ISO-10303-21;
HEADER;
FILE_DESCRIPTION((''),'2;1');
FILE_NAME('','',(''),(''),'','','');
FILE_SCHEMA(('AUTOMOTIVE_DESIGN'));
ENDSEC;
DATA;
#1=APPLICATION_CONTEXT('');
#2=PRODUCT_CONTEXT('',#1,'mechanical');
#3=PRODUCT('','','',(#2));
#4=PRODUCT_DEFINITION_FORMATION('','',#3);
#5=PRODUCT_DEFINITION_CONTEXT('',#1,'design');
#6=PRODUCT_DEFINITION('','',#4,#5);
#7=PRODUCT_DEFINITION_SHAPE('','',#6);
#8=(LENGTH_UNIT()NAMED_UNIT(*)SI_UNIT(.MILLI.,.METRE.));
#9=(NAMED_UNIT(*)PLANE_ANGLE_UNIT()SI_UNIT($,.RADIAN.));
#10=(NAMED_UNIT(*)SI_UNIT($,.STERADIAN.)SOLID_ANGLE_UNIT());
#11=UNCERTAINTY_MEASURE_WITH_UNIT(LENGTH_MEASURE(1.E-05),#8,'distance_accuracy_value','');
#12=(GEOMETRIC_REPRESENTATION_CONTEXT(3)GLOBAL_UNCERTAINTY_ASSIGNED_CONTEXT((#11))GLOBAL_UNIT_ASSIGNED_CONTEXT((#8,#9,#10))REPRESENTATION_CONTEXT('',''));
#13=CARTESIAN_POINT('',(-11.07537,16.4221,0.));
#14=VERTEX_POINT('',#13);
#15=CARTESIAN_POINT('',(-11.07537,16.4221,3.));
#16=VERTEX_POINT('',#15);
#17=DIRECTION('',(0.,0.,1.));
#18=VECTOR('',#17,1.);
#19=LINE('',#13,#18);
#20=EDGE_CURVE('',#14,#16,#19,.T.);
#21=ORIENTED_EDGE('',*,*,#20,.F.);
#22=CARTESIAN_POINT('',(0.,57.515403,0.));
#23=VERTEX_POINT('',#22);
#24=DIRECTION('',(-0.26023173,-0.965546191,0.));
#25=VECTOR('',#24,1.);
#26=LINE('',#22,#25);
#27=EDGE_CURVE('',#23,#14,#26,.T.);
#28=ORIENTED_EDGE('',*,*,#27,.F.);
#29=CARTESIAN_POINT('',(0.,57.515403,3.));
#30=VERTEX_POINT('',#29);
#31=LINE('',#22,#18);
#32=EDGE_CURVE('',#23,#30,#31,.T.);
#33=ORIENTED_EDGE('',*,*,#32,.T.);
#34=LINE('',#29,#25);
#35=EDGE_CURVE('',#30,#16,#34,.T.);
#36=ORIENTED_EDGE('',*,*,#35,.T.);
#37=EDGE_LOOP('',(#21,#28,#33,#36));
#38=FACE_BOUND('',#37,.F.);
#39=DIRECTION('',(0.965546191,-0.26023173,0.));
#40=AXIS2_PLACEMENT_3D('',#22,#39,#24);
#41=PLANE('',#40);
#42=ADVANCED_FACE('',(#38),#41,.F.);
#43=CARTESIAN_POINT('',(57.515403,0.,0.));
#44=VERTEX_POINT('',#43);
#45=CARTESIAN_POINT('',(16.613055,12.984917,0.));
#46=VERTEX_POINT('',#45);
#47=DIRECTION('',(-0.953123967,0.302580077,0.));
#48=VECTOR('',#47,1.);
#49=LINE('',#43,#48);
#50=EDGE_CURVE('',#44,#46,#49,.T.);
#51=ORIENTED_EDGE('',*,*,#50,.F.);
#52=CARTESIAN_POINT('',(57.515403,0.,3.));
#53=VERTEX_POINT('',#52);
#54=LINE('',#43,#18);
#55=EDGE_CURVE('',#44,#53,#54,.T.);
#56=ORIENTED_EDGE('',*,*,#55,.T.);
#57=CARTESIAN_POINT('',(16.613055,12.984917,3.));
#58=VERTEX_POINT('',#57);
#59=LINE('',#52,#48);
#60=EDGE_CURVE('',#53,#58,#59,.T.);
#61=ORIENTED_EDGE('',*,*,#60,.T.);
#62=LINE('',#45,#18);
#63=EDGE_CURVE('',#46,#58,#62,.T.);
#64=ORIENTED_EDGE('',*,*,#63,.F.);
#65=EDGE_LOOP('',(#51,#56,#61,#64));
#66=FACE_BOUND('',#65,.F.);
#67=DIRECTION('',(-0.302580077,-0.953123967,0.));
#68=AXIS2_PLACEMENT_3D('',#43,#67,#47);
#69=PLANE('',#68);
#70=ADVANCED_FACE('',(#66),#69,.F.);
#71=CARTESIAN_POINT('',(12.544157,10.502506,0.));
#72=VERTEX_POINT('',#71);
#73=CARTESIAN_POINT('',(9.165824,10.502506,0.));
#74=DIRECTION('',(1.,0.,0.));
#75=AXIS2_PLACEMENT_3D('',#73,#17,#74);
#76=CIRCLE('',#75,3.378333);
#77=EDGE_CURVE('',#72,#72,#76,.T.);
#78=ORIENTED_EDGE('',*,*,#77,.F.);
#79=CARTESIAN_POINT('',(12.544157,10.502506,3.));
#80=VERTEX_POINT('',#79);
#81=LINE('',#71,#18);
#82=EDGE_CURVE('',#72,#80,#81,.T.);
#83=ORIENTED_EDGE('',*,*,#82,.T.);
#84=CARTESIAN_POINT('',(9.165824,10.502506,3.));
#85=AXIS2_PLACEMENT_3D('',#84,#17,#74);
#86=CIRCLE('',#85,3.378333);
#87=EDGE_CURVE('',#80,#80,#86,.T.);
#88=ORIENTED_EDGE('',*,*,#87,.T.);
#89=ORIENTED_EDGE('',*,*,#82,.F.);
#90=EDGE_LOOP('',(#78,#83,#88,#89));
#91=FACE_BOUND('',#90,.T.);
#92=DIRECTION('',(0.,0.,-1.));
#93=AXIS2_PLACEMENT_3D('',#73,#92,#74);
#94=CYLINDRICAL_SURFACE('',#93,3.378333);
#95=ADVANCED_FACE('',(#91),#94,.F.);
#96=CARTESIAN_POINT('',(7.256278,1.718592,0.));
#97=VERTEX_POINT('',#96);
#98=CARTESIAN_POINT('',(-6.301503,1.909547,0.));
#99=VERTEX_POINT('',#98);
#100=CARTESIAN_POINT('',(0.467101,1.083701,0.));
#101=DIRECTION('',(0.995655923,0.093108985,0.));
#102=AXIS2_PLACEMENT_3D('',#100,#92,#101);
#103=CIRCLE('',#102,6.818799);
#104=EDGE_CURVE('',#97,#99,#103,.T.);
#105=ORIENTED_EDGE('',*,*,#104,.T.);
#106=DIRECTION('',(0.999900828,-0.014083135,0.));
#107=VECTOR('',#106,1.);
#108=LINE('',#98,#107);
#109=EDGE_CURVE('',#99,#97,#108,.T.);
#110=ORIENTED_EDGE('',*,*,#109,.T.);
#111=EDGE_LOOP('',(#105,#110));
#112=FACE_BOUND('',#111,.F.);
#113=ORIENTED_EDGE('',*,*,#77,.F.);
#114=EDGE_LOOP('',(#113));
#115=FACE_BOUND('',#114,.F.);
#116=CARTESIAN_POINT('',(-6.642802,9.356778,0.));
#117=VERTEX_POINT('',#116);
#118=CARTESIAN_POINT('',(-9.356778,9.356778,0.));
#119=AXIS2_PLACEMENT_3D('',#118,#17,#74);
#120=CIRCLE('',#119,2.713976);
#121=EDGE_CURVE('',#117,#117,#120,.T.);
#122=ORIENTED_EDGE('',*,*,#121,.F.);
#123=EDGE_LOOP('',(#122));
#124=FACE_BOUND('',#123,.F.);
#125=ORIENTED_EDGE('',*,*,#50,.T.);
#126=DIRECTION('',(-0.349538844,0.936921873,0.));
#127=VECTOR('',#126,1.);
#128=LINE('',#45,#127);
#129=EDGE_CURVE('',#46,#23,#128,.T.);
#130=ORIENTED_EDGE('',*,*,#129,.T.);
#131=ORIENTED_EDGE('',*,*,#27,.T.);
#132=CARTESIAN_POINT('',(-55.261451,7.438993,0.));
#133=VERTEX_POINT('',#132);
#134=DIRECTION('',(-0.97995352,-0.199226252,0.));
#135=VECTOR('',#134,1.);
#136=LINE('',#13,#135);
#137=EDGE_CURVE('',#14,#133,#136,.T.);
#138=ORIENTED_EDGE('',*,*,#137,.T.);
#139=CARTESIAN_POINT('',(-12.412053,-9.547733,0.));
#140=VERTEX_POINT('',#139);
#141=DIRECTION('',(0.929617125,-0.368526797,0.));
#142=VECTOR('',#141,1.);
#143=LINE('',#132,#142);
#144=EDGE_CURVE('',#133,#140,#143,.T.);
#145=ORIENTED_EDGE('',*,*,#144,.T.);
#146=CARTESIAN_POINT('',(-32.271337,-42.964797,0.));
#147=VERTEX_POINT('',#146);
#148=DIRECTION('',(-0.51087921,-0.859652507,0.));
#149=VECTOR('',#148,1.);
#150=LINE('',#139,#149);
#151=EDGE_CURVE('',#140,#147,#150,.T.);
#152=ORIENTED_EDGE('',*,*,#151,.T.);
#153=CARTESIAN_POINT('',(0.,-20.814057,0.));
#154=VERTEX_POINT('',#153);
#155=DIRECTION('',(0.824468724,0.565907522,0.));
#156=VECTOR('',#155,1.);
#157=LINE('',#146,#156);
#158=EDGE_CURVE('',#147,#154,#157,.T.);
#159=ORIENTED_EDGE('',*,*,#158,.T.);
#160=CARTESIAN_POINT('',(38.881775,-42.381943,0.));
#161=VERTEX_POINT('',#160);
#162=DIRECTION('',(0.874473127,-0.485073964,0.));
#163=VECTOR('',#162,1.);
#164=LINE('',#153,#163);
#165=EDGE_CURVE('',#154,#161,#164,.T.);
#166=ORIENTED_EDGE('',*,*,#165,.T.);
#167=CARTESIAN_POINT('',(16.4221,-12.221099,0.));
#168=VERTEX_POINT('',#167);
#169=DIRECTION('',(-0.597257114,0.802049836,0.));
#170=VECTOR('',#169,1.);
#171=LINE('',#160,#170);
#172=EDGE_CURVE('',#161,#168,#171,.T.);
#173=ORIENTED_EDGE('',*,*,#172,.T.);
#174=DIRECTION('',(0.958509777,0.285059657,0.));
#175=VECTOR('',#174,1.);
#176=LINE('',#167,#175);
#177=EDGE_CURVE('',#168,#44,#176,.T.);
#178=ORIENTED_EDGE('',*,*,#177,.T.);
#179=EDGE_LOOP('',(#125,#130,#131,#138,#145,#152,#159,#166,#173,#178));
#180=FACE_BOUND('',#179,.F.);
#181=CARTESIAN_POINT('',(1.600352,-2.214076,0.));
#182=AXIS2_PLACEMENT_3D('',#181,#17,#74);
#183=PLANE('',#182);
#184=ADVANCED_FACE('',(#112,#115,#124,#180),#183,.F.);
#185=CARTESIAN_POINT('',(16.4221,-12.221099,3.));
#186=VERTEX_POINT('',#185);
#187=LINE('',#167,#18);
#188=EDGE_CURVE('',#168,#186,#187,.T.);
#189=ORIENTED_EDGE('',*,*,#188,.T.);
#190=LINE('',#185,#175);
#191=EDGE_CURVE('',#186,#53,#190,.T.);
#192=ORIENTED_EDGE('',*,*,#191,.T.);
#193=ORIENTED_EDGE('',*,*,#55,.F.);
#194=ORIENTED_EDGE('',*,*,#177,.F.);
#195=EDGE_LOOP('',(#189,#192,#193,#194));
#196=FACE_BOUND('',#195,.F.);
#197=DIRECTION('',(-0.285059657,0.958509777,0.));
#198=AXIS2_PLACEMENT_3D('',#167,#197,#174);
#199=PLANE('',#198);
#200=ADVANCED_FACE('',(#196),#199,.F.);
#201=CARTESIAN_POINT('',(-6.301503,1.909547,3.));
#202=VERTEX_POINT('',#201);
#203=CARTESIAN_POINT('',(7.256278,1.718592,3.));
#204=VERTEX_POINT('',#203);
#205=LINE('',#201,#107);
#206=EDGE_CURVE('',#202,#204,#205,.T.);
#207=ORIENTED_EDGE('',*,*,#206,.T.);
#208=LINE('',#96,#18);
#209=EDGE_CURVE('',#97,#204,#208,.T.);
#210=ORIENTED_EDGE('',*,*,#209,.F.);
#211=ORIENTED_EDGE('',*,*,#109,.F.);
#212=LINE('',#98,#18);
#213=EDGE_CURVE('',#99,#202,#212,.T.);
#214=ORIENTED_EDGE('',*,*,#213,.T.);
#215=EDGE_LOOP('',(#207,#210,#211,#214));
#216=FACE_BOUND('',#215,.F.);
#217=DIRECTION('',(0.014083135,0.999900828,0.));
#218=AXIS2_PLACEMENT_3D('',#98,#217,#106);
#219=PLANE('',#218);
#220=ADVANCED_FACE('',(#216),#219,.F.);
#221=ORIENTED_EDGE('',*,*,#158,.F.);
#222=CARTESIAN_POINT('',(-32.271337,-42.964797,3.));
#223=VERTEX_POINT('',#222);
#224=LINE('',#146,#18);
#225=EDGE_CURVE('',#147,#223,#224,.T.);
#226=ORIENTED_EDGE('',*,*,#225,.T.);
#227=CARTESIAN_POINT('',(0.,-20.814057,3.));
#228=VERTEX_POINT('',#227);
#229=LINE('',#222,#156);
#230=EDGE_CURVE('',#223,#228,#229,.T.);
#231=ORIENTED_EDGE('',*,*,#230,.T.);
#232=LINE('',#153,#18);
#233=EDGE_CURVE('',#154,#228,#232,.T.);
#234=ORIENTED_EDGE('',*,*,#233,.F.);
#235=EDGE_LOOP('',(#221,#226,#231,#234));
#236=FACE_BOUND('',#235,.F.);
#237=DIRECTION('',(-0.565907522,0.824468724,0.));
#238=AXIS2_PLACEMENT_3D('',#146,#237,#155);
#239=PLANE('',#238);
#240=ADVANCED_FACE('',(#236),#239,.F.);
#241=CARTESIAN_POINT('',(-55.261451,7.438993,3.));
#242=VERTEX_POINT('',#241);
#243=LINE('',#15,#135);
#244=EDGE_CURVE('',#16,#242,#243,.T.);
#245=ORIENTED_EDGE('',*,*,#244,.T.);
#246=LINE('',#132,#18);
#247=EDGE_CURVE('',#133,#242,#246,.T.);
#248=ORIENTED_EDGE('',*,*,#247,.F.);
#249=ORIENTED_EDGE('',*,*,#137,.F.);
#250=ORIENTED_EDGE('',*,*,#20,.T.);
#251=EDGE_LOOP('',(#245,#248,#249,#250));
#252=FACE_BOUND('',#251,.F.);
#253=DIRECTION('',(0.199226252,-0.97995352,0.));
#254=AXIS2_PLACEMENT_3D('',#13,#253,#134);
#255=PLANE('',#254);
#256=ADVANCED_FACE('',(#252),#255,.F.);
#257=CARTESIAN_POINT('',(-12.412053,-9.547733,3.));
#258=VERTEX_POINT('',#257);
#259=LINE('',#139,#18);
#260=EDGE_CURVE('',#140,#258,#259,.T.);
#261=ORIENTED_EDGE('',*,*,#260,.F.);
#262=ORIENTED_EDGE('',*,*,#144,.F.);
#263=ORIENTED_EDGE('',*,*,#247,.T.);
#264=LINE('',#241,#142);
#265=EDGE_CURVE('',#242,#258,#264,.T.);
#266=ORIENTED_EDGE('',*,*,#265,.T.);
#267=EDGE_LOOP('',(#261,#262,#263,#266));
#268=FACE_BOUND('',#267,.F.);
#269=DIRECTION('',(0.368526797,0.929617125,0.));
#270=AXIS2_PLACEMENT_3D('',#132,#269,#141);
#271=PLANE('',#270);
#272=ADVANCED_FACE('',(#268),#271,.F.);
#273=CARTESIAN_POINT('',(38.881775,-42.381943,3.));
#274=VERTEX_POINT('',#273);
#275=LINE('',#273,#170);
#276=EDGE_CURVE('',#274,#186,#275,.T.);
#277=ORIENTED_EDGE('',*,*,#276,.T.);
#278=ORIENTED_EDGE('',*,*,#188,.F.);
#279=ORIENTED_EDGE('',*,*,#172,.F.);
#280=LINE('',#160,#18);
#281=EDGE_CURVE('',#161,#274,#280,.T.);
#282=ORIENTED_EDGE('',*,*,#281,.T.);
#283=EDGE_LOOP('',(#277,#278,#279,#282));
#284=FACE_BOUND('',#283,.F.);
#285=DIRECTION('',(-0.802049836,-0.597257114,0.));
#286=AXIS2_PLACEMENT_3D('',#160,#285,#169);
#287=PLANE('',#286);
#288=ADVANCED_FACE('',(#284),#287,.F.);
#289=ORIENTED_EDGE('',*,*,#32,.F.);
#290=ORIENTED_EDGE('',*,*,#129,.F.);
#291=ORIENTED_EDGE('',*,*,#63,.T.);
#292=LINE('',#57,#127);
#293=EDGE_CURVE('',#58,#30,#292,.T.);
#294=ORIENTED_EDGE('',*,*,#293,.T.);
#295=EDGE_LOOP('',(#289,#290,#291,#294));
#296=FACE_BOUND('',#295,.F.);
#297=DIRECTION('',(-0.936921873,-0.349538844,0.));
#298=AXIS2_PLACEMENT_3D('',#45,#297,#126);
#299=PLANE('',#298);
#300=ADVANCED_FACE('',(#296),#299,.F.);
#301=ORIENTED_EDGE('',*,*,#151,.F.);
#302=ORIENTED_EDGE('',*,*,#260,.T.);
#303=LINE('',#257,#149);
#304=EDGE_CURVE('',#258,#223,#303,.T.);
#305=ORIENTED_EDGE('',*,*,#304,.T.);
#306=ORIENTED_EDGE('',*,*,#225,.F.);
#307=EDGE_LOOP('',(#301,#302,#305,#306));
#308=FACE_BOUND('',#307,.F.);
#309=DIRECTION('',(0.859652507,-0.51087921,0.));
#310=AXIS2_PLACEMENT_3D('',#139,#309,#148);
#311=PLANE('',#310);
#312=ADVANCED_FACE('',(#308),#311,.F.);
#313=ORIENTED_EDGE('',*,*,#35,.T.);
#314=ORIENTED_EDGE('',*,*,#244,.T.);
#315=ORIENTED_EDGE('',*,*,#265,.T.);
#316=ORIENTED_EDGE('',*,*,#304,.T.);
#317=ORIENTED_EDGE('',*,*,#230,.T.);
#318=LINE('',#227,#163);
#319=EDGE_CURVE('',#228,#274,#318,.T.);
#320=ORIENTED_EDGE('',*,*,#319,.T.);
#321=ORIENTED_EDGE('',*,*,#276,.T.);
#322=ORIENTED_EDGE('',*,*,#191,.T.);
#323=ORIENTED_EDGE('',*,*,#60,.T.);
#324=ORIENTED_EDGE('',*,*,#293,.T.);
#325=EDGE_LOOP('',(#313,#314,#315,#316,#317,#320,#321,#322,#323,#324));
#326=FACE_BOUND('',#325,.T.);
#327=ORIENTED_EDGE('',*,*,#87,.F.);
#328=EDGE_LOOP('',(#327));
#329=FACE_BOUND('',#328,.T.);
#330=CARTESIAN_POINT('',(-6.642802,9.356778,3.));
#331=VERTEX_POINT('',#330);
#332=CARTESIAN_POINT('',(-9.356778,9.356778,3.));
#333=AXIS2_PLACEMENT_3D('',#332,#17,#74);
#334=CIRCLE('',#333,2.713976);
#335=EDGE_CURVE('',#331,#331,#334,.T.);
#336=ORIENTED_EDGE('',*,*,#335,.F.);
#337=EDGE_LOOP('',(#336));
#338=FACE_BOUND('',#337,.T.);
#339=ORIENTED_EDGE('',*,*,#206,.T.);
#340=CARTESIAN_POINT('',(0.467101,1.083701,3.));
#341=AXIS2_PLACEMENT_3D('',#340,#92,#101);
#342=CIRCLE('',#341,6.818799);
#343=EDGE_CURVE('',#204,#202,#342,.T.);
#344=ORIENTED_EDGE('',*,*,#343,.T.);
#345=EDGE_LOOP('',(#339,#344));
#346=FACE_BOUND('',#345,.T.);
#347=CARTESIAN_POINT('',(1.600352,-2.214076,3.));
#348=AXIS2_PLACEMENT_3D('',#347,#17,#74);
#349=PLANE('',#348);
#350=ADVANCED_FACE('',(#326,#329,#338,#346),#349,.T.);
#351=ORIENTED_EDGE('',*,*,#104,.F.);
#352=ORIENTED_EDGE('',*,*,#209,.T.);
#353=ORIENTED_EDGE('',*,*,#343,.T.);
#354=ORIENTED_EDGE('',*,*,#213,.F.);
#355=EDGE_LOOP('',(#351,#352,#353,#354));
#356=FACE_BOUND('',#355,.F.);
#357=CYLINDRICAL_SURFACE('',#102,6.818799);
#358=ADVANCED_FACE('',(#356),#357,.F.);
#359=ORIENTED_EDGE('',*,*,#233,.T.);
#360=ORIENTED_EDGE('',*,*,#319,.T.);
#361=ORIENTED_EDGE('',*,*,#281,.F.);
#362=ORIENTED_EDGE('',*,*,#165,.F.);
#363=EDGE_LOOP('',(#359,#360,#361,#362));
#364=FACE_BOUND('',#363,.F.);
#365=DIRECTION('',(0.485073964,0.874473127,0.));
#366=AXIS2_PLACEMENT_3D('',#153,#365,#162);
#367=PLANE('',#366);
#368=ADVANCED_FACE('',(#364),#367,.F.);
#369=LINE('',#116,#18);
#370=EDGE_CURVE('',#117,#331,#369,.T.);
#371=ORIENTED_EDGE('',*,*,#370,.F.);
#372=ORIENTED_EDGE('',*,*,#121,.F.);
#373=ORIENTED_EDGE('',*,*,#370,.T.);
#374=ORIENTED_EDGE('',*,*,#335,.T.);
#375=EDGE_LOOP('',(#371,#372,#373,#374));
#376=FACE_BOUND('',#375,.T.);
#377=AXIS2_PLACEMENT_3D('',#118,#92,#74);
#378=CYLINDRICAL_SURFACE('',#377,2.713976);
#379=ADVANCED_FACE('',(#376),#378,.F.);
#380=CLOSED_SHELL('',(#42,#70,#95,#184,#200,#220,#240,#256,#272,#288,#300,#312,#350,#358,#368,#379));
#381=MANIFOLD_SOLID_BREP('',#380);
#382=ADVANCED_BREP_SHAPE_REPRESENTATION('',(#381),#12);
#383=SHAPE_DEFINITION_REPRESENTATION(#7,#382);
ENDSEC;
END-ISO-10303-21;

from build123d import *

# Parameters (mm, degrees)
F0_R     = 2.713976
F0_R_2   = 3.378333
F1_DEPTH = 3


with BuildPart() as f1:
    # F0 (on Top) → F1 (new body)
    with BuildSketch(Plane.XY):
        Polygon((16.613055, 12.984917), (0, 57.515403), (-11.07537, 16.4221), (-55.261451, 7.438993), (-12.412053, -9.547733), (-32.271337, -42.964797), (0, -20.814057), (38.881775, -42.381943), (16.4221, -12.221099), (57.515403, 0), align=None)
        with BuildLine():
            ThreePointArc((7.256278, 1.718592), (0.371071, -5.734422), (-6.301503, 1.909547))
            Line((-6.301503, 1.909547), (7.256278, 1.718592))
        make_face(mode=Mode.SUBTRACT)
        with Locations((-9.356778, 9.356778)):
            Circle(F0_R, mode=Mode.SUBTRACT)
        with Locations((9.165824, 10.502506)):
            Circle(F0_R_2, mode=Mode.SUBTRACT)
    extrude(amount=F1_DEPTH)


solid = f1.part
